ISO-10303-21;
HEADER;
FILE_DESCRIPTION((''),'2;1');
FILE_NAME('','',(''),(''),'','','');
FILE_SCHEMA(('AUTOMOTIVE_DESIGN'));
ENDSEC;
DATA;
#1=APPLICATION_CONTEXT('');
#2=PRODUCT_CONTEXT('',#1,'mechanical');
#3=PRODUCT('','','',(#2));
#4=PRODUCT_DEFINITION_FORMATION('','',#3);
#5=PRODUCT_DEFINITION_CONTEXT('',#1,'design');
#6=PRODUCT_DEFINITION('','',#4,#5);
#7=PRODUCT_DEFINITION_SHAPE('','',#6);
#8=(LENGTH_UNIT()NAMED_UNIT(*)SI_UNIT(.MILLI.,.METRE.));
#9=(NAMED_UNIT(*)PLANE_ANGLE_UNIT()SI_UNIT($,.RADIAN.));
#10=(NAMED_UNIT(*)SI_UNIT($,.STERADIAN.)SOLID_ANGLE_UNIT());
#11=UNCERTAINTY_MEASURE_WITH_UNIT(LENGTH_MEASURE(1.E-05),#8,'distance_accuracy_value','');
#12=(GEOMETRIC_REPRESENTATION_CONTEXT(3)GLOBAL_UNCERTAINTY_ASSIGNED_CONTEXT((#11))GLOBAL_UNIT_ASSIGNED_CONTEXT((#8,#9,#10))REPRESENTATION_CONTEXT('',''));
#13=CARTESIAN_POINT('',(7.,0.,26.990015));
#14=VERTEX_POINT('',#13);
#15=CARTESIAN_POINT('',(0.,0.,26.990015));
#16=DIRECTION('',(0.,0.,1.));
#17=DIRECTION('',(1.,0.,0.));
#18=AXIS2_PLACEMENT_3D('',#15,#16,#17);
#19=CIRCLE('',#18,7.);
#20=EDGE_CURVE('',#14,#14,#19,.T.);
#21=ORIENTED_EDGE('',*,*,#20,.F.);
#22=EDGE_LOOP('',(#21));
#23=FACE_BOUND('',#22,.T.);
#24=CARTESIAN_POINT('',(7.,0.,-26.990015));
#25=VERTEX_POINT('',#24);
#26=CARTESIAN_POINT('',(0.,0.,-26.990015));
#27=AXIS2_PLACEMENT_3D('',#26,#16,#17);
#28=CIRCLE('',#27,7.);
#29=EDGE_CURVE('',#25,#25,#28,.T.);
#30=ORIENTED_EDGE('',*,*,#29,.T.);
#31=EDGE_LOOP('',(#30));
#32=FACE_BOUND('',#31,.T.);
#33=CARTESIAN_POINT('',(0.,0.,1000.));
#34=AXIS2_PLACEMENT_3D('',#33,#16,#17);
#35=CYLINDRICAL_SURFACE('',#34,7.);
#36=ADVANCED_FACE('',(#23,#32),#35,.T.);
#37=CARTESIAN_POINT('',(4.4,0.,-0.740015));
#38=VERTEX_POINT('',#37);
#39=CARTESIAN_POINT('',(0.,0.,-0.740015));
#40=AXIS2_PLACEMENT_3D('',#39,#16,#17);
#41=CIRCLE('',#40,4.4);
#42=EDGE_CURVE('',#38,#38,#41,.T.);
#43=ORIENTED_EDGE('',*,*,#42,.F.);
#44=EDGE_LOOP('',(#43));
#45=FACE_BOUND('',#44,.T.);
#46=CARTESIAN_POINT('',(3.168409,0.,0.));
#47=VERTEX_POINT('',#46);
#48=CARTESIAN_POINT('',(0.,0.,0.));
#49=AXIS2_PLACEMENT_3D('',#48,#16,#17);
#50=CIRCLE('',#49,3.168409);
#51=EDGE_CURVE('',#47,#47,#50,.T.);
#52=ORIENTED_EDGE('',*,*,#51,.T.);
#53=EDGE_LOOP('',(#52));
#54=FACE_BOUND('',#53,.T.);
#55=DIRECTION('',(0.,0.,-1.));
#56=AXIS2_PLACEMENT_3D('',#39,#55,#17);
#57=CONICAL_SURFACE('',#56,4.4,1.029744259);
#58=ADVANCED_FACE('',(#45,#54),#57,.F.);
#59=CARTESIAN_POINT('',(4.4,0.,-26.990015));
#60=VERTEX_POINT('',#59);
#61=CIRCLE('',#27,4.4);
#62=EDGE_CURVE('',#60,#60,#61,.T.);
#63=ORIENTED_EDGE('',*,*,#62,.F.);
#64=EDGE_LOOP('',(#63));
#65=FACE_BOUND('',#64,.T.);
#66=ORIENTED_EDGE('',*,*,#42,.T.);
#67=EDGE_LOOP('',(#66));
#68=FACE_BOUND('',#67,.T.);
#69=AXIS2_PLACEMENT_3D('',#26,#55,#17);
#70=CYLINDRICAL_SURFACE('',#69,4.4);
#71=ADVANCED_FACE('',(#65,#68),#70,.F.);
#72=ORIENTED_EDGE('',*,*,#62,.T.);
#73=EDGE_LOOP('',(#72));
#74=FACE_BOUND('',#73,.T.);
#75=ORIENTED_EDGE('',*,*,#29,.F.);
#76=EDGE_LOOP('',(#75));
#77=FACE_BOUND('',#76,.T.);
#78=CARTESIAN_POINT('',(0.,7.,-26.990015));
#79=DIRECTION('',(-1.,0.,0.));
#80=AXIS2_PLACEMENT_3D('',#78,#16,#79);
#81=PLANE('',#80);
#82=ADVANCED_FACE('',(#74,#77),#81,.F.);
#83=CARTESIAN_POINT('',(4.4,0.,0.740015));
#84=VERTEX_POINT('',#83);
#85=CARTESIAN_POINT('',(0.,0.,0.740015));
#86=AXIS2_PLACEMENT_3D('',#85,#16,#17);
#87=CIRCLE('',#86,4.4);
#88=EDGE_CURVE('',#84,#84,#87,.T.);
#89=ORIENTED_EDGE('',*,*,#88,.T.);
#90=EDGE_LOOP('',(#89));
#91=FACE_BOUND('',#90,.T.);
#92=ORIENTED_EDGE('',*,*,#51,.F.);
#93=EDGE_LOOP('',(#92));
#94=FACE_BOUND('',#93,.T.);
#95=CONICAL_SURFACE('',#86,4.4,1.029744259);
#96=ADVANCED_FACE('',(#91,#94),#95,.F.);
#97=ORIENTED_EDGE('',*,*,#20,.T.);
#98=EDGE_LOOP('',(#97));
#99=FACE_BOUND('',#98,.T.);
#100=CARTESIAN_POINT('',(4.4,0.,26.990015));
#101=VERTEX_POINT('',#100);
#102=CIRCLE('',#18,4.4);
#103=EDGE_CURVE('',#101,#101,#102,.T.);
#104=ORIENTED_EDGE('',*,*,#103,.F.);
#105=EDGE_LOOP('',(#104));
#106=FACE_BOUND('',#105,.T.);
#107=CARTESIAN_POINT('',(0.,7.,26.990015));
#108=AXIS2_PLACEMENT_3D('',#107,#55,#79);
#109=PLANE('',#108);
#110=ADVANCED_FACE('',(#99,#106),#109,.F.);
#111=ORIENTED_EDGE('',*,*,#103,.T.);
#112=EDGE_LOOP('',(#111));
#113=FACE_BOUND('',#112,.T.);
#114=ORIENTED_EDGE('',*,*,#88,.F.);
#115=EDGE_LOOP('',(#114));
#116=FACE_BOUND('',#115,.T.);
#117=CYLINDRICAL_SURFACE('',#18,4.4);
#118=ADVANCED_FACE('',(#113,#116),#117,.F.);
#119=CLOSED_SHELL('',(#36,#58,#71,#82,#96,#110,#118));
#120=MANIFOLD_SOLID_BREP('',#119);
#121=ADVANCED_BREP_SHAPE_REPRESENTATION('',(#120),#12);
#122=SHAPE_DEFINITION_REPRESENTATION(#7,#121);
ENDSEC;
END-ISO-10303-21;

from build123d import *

# Parameters (mm, degrees)
SKETCH_1_W      = 26.990014613
SKETCH_1_H      = 7
M10X1_251_D     = 8.8
M10X1_251_DEPTH = 26.25
M10X1_251_TIP   = 2.643786724


with BuildPart() as part:
    # Эскиз1 → Повернуть1 (revolve)
    with BuildSketch(Plane(origin=(0, 0, 0), x_dir=(0, 0, -1), z_dir=(1, 0, 0))):
        with Locations((-13.495007307, 3.5)):
            Rectangle(SKETCH_1_W, SKETCH_1_H)
    revolve(axis=Axis((0, 0, 1000), (0, 0, -1)))

    # Отверстие обработанное метчиком M10x1.251
    with Locations(Plane.XY.offset(26.990014613)):
        with Locations((0, 0)):
            Hole(M10X1_251_D / 2, depth=M10X1_251_DEPTH)
            with Locations((0, 0, -(M10X1_251_DEPTH + M10X1_251_TIP / 2))):  # 118° drill point
                Cone(0, M10X1_251_D / 2, M10X1_251_TIP, mode=Mode.SUBTRACT)

    # Зеркальное отражение1: part across plane


with BuildPart() as part_1:
    add(part.part)
    add(part.part.mirror(Plane.XY))


solid = part_1.part
